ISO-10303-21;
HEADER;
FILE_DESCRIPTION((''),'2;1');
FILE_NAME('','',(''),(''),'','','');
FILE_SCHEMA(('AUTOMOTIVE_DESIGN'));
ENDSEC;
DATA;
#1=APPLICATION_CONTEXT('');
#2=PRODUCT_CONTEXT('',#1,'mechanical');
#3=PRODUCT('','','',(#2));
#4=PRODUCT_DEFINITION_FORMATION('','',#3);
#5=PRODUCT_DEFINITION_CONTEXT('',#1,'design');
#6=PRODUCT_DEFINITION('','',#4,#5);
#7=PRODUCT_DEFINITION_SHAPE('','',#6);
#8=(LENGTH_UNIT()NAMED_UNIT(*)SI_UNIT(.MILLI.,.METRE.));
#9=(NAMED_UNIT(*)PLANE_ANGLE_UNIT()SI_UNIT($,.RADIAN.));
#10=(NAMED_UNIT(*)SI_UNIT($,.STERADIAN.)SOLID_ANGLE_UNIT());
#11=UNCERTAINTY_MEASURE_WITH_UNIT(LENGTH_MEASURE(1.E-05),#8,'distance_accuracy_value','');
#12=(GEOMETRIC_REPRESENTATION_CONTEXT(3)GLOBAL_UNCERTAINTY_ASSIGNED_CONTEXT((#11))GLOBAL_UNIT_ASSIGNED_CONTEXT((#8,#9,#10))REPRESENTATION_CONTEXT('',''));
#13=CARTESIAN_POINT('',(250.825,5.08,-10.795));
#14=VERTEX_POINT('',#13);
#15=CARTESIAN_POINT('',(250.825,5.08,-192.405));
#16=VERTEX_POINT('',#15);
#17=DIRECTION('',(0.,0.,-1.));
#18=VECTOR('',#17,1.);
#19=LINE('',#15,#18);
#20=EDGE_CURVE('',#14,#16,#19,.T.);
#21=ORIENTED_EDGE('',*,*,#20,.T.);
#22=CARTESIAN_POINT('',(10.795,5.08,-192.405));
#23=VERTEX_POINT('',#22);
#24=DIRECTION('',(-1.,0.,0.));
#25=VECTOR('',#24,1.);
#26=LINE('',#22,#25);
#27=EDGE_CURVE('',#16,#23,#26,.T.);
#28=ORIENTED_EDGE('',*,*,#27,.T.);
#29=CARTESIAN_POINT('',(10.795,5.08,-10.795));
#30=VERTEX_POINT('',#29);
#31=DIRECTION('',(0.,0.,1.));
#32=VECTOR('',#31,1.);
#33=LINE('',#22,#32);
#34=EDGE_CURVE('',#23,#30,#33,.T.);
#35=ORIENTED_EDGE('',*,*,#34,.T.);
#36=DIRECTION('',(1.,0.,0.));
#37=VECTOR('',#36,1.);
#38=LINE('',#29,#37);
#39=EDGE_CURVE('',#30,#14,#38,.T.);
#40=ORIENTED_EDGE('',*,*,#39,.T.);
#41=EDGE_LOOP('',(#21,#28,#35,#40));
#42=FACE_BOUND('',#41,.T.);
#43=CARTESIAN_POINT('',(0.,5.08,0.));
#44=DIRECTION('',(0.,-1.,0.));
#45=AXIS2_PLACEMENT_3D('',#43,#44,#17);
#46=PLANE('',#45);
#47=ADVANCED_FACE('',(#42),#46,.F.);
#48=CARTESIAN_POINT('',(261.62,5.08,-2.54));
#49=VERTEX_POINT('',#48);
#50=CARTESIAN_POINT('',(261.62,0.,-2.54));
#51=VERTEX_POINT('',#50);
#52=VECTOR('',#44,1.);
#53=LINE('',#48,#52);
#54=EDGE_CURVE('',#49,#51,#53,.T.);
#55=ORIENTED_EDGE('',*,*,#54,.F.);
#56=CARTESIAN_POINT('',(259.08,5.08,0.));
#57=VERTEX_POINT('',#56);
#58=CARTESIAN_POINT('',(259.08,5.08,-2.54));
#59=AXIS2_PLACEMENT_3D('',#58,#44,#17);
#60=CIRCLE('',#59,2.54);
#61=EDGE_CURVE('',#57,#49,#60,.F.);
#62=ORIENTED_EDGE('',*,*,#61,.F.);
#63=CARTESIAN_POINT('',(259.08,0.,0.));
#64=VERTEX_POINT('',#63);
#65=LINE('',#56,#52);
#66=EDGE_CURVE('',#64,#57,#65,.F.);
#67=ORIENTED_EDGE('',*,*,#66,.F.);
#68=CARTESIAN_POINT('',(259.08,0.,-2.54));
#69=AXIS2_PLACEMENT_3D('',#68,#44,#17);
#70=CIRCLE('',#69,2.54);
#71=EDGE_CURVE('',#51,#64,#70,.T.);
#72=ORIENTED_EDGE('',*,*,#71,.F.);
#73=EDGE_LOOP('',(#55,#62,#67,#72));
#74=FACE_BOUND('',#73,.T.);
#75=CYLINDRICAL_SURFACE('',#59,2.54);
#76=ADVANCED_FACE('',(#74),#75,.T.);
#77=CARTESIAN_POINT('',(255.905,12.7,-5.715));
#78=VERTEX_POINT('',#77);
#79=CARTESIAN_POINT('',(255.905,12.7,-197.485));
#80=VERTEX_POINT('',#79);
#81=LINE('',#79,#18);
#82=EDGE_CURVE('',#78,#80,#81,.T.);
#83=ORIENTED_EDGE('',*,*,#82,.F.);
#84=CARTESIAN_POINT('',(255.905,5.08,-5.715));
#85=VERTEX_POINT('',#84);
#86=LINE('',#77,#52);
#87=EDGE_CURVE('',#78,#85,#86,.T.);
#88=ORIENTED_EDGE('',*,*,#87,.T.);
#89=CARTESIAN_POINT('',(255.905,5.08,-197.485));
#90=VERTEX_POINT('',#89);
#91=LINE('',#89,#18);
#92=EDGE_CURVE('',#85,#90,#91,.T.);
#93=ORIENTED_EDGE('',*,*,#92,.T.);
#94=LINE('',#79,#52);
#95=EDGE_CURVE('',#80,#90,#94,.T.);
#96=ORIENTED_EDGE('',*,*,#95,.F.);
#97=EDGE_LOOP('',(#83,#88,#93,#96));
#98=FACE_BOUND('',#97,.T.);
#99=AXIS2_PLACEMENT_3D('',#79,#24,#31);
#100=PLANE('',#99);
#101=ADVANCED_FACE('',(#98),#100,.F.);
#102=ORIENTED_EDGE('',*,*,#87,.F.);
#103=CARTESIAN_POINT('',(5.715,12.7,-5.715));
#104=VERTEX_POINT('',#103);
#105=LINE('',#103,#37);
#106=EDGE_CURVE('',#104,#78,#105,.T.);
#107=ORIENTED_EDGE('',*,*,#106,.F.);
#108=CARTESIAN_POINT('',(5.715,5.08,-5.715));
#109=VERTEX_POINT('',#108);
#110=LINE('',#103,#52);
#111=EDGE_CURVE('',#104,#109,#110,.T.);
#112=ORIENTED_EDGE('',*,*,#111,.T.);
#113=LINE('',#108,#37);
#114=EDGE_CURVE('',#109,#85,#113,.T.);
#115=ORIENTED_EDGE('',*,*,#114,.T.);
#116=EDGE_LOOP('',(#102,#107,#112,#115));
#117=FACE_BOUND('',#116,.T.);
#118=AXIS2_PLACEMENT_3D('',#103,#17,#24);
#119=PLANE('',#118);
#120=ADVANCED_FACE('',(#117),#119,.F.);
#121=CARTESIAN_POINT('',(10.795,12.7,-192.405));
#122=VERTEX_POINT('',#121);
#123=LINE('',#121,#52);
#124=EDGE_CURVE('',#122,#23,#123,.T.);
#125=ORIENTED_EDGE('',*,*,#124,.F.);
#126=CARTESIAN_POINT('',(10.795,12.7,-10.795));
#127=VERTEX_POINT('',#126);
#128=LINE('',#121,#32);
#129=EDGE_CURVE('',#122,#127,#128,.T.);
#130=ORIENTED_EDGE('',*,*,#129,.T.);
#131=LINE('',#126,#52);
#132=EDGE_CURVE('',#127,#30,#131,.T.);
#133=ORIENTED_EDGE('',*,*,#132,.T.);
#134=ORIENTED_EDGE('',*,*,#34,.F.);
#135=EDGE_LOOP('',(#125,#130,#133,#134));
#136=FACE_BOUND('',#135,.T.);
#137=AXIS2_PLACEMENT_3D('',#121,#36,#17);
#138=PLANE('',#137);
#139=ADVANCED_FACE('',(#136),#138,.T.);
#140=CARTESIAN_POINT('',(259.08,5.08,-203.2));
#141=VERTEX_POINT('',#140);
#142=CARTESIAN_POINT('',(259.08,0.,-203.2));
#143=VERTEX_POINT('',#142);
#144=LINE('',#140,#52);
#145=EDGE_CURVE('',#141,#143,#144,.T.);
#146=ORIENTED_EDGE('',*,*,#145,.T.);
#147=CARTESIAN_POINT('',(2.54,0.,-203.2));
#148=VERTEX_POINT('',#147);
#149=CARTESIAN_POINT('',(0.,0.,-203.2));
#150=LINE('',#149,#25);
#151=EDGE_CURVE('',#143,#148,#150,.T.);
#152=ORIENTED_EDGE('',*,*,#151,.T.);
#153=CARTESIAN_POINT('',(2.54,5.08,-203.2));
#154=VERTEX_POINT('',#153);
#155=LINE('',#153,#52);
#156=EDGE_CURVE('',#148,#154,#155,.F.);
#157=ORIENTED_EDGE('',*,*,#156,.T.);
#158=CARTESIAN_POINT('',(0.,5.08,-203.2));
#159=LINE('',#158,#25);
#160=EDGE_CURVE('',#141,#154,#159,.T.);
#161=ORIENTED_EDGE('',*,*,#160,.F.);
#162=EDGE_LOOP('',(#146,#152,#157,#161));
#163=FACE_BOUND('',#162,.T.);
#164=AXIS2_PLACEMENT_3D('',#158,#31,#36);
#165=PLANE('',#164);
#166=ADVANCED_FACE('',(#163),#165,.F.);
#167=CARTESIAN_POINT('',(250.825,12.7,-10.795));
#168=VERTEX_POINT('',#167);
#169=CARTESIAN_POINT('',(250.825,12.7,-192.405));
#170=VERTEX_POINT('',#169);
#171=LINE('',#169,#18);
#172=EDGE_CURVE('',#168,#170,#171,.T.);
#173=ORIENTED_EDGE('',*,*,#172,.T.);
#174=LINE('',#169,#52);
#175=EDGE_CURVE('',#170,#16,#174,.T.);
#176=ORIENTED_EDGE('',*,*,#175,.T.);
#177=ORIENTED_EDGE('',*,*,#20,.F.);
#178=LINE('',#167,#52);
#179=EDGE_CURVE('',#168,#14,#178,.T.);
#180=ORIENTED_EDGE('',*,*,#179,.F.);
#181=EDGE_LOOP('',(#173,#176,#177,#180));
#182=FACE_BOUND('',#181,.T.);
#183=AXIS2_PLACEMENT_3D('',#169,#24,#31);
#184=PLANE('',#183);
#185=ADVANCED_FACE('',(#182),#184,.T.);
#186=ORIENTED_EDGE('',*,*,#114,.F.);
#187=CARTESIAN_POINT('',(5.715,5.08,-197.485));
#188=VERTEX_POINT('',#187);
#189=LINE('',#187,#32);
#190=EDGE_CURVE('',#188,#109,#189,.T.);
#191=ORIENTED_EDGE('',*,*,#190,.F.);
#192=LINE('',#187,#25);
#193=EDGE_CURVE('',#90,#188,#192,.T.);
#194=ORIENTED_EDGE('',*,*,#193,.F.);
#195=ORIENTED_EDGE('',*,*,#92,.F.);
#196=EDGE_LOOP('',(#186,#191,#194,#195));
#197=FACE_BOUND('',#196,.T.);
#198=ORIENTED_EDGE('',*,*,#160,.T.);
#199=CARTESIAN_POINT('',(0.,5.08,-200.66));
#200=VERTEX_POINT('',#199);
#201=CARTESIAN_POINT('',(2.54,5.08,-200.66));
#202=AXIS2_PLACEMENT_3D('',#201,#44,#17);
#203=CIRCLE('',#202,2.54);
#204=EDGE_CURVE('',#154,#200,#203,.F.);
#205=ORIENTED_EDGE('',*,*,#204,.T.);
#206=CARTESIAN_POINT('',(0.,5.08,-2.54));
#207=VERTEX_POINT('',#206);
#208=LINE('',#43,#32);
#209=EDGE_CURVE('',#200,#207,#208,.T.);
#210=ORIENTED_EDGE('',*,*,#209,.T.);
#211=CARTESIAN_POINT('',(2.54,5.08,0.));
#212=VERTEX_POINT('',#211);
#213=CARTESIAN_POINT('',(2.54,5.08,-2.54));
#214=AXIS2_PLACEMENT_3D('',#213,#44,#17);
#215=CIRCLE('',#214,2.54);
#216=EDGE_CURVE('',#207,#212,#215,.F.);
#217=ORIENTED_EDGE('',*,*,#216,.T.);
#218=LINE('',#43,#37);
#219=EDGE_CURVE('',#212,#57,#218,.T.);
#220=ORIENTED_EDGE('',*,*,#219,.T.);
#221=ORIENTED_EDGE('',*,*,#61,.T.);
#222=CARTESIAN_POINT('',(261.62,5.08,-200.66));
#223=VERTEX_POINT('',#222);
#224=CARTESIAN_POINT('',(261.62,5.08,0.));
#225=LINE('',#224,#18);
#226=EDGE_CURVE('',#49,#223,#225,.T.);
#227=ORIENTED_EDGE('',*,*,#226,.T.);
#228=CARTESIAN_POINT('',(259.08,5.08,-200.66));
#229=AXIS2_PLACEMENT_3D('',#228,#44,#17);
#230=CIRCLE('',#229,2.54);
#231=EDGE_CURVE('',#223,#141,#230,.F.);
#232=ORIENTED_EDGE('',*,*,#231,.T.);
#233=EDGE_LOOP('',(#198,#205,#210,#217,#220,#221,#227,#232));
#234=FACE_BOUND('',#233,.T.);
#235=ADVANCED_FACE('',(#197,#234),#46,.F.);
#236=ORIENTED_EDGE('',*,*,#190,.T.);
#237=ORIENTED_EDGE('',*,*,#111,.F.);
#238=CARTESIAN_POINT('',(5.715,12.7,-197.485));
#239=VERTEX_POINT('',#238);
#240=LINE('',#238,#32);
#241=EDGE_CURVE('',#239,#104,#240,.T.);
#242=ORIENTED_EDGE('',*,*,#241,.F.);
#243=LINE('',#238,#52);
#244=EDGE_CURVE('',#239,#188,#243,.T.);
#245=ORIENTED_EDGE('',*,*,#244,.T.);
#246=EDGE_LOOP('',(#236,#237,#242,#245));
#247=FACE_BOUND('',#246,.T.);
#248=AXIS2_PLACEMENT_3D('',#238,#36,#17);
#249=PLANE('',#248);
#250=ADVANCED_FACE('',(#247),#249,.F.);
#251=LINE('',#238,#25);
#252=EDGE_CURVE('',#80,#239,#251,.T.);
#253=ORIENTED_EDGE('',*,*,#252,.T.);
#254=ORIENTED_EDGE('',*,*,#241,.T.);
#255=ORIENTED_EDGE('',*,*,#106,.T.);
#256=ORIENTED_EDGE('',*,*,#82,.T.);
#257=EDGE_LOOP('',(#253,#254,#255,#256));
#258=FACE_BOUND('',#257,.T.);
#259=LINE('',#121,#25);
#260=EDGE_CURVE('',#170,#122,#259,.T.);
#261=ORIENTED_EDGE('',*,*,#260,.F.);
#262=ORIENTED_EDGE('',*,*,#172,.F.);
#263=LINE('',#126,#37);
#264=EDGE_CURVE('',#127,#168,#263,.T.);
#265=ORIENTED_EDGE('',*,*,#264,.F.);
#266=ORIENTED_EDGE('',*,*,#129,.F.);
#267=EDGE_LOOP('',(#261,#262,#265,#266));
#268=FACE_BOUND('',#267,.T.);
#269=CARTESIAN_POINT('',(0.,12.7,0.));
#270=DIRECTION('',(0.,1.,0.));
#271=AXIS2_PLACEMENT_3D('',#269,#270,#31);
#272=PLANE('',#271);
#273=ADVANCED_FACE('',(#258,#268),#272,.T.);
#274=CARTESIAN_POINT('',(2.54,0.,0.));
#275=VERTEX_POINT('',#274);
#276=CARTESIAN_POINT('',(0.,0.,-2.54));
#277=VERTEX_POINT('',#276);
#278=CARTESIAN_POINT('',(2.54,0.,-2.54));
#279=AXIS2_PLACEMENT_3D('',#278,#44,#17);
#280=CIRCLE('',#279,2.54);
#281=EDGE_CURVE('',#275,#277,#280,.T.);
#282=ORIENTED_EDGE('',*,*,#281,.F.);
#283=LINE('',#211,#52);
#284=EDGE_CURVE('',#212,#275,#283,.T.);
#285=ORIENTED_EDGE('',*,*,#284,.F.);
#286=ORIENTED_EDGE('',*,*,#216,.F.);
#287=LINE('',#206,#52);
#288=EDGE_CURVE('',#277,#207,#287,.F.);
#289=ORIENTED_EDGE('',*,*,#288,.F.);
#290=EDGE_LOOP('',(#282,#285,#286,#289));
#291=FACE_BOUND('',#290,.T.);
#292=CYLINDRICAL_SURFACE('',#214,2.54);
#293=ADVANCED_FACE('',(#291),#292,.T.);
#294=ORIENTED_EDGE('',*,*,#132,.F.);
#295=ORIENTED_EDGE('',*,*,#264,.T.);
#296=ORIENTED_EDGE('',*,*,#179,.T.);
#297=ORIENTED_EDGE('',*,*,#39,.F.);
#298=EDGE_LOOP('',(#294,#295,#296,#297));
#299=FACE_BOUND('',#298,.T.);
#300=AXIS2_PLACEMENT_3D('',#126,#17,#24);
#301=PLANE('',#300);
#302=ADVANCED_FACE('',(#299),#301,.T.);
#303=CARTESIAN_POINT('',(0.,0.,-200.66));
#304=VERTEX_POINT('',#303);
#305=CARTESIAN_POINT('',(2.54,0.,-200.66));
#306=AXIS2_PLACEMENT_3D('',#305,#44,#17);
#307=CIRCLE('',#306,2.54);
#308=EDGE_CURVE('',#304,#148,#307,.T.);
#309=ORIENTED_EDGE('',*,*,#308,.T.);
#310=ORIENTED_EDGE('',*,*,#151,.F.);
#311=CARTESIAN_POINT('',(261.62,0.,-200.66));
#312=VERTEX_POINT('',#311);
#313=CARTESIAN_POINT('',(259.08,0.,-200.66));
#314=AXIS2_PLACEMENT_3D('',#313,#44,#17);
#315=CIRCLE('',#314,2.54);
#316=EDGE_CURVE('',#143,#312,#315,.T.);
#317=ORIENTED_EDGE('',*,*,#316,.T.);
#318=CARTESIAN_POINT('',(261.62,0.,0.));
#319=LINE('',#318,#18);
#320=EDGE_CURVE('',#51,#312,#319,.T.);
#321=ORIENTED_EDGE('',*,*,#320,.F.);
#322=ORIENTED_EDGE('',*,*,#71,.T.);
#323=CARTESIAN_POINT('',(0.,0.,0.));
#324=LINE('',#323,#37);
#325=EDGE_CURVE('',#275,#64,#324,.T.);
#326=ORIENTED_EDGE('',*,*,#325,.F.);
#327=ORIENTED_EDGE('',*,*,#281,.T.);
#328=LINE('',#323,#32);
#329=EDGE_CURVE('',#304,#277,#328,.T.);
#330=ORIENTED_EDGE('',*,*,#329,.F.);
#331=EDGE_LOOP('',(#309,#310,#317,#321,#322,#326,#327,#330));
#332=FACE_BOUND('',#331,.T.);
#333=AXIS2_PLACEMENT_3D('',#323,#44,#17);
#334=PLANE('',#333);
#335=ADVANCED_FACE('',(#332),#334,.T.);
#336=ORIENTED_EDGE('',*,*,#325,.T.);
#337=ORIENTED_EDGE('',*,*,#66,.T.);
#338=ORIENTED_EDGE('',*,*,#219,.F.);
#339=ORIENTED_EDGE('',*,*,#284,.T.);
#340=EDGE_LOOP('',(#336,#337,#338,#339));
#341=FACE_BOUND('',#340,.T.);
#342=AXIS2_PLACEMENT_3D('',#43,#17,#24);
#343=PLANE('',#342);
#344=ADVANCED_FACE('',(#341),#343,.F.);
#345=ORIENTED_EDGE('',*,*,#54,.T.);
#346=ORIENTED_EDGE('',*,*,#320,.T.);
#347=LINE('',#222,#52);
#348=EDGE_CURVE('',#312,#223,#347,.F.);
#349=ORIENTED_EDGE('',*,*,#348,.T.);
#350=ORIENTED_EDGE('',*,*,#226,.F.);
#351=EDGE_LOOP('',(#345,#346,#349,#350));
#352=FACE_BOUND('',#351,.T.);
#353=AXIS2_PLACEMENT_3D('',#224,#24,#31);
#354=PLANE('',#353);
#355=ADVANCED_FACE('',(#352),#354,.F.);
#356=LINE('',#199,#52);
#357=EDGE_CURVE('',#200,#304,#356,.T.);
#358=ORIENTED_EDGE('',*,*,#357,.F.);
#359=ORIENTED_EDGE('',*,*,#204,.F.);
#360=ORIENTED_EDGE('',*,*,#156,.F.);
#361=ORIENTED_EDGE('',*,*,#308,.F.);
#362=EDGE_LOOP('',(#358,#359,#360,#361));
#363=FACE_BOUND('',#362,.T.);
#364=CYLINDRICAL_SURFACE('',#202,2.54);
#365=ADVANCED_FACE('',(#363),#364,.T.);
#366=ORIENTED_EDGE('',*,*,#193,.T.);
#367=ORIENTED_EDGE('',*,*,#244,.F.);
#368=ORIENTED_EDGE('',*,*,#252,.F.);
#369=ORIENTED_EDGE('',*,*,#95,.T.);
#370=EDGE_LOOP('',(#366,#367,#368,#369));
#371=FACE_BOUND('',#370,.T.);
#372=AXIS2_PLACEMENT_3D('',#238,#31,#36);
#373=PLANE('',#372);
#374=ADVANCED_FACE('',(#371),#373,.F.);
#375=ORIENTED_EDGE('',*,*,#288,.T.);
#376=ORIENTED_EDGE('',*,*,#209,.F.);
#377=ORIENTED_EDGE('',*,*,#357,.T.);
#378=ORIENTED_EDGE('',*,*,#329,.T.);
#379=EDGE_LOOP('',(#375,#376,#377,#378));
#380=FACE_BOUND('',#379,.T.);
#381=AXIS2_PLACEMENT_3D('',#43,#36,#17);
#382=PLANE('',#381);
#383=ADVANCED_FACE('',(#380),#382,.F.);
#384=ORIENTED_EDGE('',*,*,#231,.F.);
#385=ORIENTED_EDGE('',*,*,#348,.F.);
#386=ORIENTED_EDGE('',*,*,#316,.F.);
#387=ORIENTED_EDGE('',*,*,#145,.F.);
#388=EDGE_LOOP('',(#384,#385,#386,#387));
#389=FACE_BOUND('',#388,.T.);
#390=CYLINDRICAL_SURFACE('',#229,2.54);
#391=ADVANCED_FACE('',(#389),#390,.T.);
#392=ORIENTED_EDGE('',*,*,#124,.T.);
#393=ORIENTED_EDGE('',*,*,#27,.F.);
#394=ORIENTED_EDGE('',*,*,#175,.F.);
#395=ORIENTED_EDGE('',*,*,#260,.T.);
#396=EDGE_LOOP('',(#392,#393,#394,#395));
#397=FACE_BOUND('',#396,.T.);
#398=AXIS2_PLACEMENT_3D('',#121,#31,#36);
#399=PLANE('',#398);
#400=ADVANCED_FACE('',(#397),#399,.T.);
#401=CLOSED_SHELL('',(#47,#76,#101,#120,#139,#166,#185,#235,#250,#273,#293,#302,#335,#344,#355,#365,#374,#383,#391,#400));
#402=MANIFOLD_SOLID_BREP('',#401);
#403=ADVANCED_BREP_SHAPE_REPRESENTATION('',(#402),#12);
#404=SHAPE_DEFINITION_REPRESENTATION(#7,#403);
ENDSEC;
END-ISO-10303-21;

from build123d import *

# Parameters (mm, degrees)
SKETCH1_W           = 261.62
SKETCH1_H           = 203.2
BOSS_EXTRUDE1_DEPTH = 5.08
SKETCH2_W           = 250.19
SKETCH2_H           = 191.77
SKETCH2_W_2         = 240.03
SKETCH2_H_2         = 181.61
BOSS_EXTRUDE2_DEPTH = 7.62
FILLET2_R           = 2.54


with BuildPart() as part:
    # Sketch1 → Boss-Extrude1 (new body)
    with BuildSketch(Plane(origin=(0, 0, 0), x_dir=(1, 0, 0), z_dir=(0, 1, 0))):
        with Locations((130.81, 101.6)):
            Rectangle(SKETCH1_W, SKETCH1_H)
    extrude(amount=BOSS_EXTRUDE1_DEPTH)

    # Sketch2 → Boss-Extrude2 (add)
    with BuildSketch(Plane(origin=(0, 5.08, 0), x_dir=(1, 0, 0), z_dir=(0, 1, 0))):
        with Locations((130.81, 101.6)):
            Rectangle(SKETCH2_W, SKETCH2_H)
        with Locations((130.81, 101.6)):
            Rectangle(SKETCH2_W_2, SKETCH2_H_2, mode=Mode.SUBTRACT)
    extrude(amount=BOSS_EXTRUDE2_DEPTH)

    # Fillet2
    fillet2_edges = [part.edges().sort_by_distance(p)[0] for p in [
        (0, 2.54, -203.2),
        (261.62, 2.54, -203.2),
        (261.62, 2.54, 0),
        (0, 2.54, 0),
    ]]
    fillet(fillet2_edges, radius=FILLET2_R)


solid = part.part
